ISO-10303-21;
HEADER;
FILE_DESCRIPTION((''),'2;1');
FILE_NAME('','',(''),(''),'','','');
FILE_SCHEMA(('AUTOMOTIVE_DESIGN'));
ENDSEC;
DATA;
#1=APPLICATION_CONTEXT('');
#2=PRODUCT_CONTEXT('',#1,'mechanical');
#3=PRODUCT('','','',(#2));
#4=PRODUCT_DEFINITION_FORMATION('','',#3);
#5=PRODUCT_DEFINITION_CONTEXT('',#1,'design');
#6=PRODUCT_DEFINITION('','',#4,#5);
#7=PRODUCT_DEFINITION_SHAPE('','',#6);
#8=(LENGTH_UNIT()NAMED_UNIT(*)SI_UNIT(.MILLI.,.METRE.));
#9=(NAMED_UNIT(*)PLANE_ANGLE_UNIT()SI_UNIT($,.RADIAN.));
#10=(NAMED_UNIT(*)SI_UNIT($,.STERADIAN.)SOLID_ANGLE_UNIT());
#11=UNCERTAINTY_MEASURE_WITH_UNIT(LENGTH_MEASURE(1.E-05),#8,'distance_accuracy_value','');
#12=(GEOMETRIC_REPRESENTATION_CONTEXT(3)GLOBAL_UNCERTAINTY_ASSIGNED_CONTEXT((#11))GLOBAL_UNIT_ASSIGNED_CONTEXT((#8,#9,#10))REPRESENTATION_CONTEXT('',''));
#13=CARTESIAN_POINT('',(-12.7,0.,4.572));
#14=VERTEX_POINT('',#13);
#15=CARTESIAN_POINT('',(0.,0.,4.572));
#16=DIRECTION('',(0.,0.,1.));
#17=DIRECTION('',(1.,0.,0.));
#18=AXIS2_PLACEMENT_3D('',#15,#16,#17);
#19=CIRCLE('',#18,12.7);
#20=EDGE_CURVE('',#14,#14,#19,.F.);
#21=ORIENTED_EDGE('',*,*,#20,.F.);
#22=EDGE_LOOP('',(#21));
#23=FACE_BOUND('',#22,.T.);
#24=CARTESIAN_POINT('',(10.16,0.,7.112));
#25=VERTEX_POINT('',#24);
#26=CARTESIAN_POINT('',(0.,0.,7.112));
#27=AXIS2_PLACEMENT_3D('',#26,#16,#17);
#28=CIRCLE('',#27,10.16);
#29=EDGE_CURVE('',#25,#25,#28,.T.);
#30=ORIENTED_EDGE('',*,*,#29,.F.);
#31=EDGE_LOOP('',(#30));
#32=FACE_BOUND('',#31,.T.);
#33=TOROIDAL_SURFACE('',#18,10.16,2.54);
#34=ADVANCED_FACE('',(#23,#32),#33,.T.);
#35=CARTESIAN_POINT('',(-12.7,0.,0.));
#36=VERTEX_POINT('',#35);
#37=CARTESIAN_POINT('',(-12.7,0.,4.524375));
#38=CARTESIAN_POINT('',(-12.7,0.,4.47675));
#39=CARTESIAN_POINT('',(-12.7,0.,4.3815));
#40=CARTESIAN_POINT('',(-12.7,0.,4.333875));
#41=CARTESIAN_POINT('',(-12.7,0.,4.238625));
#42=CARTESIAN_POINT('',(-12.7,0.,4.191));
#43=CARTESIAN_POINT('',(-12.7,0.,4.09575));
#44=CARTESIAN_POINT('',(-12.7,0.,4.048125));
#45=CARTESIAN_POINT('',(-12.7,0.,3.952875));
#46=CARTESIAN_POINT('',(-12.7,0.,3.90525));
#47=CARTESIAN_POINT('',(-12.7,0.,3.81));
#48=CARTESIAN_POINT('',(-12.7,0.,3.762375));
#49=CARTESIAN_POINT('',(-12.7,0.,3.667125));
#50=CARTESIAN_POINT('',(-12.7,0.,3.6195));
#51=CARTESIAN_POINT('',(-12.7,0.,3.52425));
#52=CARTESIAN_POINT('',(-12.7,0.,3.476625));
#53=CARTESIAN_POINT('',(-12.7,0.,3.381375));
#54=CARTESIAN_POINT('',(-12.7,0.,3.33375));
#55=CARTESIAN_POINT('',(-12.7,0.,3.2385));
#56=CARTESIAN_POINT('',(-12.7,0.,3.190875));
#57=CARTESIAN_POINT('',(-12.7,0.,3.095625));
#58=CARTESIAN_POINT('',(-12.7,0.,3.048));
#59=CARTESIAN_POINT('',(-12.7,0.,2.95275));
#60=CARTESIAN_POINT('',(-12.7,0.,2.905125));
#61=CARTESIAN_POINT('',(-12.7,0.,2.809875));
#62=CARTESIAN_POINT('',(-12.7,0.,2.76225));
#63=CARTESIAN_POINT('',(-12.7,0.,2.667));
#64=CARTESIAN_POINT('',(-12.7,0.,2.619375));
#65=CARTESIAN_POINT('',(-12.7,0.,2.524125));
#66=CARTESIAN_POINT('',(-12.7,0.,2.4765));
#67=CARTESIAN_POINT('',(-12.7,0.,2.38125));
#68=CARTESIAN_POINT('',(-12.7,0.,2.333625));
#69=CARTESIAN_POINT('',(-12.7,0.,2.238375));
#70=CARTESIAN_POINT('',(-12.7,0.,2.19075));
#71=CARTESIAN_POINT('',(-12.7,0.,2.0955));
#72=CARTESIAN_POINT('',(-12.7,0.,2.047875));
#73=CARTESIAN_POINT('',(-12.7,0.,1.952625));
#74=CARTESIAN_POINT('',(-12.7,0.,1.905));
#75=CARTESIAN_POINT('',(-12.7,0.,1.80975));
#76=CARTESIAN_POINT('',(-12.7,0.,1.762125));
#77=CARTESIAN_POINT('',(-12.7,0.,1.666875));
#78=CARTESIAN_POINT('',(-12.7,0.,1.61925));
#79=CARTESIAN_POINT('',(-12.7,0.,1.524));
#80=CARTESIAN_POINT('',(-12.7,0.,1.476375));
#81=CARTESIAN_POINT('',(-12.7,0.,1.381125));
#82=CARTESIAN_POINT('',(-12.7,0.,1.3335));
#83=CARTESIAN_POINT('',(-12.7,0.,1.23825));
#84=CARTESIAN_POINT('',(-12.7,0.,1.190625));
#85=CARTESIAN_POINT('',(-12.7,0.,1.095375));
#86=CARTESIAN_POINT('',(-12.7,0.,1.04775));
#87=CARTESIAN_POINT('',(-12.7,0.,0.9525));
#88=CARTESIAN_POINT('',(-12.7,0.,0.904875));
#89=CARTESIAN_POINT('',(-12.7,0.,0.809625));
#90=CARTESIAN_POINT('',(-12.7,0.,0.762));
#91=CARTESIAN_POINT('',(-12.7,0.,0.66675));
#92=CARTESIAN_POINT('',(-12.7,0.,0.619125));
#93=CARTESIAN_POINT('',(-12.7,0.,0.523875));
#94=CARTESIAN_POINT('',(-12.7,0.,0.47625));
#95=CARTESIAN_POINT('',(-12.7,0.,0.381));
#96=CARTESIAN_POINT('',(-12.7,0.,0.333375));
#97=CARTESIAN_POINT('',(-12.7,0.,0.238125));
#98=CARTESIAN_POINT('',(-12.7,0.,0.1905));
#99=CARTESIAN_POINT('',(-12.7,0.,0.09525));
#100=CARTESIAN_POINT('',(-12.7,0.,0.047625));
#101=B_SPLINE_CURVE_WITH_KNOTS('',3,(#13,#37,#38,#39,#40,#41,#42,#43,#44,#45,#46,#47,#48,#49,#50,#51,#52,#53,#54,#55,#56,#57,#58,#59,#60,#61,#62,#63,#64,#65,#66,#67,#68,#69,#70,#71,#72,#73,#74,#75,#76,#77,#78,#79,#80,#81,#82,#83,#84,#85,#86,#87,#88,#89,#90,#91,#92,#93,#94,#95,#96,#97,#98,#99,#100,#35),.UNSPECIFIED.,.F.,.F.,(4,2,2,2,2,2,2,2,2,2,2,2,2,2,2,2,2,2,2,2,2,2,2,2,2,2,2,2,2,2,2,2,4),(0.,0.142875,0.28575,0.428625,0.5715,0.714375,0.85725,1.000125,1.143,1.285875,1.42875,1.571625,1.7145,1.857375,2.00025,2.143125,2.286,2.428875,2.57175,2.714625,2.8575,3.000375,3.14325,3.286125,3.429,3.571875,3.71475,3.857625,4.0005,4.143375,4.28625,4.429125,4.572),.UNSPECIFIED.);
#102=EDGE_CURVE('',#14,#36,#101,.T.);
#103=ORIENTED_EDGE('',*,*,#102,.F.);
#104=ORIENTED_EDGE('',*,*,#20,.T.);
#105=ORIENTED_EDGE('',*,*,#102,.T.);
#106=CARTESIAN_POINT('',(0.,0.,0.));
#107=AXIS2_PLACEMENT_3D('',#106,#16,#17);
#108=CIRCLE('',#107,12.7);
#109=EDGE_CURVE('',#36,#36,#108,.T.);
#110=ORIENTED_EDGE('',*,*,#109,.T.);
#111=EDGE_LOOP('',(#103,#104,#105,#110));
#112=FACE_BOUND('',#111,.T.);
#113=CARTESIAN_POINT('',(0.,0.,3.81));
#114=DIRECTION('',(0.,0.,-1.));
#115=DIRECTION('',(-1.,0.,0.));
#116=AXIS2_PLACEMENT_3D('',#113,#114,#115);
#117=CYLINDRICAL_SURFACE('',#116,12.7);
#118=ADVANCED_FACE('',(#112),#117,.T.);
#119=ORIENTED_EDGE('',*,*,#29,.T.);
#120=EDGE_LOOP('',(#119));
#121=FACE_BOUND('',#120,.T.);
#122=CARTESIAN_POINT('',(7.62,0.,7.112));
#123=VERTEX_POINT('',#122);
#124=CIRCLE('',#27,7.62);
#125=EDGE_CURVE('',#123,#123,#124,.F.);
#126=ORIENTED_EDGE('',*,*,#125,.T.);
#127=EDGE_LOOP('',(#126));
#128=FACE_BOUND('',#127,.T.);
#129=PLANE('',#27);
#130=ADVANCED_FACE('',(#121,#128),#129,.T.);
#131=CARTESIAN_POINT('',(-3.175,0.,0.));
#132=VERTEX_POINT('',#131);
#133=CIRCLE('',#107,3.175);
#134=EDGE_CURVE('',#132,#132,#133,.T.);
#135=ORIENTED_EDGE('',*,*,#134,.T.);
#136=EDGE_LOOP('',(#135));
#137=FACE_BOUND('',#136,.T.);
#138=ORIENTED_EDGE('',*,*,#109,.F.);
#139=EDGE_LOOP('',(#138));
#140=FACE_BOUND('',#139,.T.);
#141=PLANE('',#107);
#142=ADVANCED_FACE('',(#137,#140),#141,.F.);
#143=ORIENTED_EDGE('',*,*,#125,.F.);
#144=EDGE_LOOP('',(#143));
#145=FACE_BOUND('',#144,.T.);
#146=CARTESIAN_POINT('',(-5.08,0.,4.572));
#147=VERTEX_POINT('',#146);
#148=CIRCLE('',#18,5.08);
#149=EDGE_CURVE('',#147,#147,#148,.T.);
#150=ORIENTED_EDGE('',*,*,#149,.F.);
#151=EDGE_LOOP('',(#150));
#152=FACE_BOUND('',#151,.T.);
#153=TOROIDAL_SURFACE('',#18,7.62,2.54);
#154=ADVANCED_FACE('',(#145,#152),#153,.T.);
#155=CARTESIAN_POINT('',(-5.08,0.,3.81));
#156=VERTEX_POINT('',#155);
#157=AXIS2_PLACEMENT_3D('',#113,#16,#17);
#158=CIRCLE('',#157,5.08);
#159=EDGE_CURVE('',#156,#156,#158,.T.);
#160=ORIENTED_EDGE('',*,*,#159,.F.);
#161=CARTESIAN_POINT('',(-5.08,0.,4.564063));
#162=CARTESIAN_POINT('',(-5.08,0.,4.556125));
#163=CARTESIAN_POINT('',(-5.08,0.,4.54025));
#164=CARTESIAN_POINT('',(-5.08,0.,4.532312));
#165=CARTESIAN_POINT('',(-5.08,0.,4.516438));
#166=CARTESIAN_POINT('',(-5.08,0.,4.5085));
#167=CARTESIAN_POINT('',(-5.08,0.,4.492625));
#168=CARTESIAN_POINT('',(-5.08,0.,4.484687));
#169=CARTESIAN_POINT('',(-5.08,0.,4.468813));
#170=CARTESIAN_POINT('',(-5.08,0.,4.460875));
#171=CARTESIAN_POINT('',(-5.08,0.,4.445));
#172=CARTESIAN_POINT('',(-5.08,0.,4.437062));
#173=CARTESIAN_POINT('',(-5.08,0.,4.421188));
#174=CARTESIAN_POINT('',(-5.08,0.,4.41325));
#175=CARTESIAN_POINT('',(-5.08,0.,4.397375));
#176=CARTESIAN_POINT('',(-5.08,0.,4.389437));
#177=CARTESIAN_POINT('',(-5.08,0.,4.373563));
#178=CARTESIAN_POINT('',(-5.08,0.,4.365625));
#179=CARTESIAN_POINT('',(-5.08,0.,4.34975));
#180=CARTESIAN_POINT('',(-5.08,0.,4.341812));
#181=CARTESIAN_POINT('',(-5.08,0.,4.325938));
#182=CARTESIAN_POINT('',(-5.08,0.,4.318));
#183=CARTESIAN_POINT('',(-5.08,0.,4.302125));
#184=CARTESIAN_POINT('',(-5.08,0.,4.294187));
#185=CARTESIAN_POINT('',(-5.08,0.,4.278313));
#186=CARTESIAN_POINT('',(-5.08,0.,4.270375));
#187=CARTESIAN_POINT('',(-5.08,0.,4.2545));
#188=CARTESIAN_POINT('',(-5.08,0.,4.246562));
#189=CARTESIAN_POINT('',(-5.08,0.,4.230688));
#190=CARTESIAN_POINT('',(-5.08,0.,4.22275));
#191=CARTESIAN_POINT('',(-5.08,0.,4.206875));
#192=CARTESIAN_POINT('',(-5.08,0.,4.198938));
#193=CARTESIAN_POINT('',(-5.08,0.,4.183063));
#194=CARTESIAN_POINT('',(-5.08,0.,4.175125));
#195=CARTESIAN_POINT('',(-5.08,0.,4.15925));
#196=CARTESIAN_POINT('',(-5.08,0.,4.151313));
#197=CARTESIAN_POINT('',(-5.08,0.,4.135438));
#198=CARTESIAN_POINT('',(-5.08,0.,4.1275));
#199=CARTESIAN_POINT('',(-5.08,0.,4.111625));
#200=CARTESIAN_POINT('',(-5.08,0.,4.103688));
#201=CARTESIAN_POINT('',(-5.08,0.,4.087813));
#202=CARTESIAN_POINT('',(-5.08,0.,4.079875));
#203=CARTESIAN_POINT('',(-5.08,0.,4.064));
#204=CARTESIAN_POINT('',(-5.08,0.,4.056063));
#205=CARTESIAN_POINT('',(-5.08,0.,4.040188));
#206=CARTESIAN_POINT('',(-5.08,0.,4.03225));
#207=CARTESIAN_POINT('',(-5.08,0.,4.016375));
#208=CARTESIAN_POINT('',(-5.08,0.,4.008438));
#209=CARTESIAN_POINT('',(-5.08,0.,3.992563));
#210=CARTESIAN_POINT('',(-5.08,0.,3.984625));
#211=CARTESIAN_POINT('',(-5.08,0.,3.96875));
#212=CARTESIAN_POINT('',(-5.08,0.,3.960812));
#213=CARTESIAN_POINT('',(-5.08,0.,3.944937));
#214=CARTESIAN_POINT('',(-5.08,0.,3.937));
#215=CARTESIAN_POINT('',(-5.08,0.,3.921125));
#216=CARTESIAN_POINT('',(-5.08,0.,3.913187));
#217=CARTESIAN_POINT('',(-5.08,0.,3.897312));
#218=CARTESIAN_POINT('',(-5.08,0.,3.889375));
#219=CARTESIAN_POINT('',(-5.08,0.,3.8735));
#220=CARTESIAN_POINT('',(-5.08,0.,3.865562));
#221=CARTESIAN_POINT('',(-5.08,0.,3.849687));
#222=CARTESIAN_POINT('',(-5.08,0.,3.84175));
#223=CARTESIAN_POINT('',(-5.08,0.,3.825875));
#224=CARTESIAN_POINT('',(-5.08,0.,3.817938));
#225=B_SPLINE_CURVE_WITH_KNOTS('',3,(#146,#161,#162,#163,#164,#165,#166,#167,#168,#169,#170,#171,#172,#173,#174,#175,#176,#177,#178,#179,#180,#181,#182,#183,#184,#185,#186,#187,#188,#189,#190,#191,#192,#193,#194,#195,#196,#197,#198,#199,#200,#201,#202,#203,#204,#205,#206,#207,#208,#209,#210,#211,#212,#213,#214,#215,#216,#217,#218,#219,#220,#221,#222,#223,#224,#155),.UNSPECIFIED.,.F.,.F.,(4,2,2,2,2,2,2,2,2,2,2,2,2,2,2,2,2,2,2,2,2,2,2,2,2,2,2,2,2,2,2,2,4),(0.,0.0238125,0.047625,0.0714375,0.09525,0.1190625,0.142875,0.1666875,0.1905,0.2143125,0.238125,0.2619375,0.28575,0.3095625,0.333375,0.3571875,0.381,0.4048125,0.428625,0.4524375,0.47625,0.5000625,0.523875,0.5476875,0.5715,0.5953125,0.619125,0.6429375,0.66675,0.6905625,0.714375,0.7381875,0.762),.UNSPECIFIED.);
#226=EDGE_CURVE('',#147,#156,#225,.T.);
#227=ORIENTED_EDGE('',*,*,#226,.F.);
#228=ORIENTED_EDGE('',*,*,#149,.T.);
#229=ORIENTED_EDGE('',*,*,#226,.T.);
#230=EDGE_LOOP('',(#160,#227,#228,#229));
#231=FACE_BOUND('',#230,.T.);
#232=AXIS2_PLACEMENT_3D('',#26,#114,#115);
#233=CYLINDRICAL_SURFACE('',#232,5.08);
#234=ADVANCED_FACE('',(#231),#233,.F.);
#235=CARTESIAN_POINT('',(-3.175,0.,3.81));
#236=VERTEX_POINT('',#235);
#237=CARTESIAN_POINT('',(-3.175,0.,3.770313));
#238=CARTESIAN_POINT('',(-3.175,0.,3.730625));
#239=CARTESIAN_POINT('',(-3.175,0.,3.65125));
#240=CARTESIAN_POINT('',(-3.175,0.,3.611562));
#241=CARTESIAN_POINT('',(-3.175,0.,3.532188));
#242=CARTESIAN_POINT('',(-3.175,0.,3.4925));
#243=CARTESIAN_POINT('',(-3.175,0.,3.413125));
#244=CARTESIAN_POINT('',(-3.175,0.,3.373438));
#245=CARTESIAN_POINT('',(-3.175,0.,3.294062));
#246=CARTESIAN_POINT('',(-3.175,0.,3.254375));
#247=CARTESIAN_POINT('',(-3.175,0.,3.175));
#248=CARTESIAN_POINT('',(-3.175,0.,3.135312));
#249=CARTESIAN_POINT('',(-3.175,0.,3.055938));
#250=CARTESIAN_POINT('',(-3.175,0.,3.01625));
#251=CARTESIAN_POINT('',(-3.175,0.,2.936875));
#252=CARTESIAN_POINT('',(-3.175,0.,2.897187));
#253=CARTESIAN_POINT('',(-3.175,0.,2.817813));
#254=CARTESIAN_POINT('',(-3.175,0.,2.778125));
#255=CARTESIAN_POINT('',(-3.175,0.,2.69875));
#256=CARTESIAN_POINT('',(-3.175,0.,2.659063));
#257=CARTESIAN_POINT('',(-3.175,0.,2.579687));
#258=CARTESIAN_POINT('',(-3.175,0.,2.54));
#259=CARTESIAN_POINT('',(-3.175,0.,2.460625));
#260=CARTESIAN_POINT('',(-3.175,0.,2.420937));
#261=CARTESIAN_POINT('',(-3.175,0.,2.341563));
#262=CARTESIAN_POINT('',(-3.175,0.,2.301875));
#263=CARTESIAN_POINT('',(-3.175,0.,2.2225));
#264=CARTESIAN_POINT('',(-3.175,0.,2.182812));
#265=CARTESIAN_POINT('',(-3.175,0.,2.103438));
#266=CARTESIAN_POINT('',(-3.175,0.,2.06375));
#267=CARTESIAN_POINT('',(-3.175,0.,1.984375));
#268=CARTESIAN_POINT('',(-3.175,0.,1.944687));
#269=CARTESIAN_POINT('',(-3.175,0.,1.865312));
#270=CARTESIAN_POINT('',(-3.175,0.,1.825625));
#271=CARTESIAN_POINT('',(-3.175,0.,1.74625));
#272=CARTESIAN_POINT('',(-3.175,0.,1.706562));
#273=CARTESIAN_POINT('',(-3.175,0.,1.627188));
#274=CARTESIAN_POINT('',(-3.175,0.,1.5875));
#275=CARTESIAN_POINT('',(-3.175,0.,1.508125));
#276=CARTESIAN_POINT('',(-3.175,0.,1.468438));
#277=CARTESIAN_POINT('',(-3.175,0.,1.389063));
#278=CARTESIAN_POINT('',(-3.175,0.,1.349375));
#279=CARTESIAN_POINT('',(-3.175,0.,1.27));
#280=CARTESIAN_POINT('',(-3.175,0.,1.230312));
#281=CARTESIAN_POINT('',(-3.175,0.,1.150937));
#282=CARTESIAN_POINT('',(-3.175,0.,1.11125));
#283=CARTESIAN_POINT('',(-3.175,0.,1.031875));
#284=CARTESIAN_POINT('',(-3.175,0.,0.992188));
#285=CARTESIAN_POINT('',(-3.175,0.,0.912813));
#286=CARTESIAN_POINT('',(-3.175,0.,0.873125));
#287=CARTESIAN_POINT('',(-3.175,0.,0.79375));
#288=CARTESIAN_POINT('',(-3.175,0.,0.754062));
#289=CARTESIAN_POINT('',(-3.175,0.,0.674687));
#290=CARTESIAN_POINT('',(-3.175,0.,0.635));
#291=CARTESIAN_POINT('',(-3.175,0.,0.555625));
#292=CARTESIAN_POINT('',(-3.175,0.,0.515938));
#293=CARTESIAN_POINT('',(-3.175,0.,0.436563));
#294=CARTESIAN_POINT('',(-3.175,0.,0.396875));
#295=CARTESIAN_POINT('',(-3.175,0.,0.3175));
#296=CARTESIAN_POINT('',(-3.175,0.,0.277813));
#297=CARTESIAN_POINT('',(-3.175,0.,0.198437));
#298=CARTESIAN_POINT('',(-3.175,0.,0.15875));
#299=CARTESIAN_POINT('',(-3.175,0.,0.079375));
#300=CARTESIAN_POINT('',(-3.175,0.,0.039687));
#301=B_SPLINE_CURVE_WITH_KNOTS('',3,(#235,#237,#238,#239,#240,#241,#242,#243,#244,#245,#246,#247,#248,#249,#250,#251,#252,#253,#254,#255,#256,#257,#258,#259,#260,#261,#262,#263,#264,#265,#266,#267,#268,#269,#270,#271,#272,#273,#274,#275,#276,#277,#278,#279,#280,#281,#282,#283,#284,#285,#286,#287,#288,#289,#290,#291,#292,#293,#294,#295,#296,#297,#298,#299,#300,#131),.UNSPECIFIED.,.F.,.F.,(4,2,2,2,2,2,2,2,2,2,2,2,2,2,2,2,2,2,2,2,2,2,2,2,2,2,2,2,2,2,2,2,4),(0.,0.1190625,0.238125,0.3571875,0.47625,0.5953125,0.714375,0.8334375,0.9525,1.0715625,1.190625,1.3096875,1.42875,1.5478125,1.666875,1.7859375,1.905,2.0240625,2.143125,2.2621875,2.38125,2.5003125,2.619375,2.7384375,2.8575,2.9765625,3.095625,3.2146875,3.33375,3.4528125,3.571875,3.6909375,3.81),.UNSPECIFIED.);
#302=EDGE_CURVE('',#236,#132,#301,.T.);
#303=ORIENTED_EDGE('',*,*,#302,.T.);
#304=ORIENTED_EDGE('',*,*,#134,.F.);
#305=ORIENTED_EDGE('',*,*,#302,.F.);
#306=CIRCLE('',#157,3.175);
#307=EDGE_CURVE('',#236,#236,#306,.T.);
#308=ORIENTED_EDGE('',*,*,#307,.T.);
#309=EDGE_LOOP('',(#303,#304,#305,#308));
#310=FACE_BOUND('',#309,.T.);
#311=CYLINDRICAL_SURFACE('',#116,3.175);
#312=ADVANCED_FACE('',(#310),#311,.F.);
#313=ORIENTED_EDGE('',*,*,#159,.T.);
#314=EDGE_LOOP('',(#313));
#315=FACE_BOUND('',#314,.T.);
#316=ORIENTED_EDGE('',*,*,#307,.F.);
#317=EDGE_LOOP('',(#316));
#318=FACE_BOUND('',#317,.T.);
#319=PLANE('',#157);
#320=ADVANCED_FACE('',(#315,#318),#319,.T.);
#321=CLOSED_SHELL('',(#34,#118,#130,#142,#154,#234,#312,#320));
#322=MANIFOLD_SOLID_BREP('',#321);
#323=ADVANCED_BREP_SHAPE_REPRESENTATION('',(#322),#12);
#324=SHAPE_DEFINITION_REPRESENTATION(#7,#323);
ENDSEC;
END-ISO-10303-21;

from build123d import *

# Parameters (mm, degrees)
SKETCH1_R           = 12.7
SKETCH1_R_2         = 3.175
BOSS_EXTRUDE1_DEPTH = 3.81
SKETCH2_R           = 12.7
SKETCH2_R_2         = 5.08
BOSS_EXTRUDE2_DEPTH = 3.302
FILLET2_R           = 2.54


with BuildPart() as part:
    # Sketch1 → Boss-Extrude1 (new body)
    with BuildSketch(Plane(origin=(0, 0, 0), x_dir=(0, 1, 0), z_dir=(0, 0, 1))):
        with Locations(Location((0, 0, 0), (0, 0, 90))):
            Circle(SKETCH1_R)
        with Locations(Location((0, 0, 0), (0, 0, 90))):
            Circle(SKETCH1_R_2, mode=Mode.SUBTRACT)
    extrude(amount=BOSS_EXTRUDE1_DEPTH)

    # Sketch2 → Boss-Extrude2 (add)
    with BuildSketch(Plane.XY.offset(3.81)):
        with Locations(Location((0, 0, 0), (0, 0, 180))):
            Circle(SKETCH2_R)
        with Locations(Location((0, 0, 0), (0, 0, 180))):
            Circle(SKETCH2_R_2, mode=Mode.SUBTRACT)
    extrude(amount=BOSS_EXTRUDE2_DEPTH)

    # Fillet2
    fillet2_edges = [part.edges().sort_by_distance(p)[0] for p in [
        (12.7, 0, 7.112),
        (5.08, 0, 7.112),
    ]]
    fillet(fillet2_edges, radius=FILLET2_R)


solid = part.part
